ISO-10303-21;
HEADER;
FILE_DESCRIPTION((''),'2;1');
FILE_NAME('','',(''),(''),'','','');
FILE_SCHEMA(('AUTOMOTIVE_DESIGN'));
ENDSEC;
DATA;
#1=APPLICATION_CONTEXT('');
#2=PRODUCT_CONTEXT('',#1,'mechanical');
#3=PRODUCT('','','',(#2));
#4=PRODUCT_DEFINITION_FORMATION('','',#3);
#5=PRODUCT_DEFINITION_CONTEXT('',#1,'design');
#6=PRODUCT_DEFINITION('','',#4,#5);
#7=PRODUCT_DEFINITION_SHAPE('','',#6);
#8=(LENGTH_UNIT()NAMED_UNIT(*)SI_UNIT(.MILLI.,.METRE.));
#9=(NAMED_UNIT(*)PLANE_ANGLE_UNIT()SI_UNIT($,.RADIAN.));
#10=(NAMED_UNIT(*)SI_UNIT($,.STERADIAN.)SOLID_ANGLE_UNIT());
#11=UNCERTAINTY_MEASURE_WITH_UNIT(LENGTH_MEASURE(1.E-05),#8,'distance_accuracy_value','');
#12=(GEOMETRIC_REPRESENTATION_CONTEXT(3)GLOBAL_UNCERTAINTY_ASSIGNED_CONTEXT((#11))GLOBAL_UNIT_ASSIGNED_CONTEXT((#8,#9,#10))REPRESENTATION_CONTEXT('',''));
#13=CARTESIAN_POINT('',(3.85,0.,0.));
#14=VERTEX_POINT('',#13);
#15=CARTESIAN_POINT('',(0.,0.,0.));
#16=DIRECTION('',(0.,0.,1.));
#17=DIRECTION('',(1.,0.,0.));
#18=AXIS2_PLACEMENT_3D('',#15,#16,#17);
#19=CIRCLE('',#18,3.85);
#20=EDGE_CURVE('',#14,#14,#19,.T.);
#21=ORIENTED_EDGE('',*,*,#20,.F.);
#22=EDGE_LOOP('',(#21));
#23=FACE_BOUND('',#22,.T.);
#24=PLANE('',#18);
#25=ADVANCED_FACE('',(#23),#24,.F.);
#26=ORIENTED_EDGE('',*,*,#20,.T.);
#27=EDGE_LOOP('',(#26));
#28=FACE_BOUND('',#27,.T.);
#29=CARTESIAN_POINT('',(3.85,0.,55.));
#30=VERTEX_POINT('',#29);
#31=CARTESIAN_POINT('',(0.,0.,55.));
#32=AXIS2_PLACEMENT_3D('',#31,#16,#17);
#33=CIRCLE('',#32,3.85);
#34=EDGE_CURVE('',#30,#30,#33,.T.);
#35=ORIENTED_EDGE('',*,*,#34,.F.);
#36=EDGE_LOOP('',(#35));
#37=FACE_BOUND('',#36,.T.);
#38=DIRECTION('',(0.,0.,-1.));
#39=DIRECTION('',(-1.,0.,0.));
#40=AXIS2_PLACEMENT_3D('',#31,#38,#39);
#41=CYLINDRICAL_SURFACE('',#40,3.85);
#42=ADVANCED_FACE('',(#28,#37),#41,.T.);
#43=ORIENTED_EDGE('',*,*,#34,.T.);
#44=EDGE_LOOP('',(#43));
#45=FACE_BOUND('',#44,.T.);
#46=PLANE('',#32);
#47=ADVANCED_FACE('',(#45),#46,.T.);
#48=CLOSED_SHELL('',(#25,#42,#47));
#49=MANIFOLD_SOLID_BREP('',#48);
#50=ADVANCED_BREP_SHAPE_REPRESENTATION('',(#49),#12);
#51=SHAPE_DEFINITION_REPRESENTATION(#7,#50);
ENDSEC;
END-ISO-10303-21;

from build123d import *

# Parameters (mm, degrees)
SKETCH_1_R      = 3.85
EXTRUDE_1_DEPTH = 55


with BuildPart() as part:
    # Эскиз1 → Бобышка-Вытянуть1 (new body)
    with BuildSketch(Plane.XY):
        Circle(SKETCH_1_R)
    extrude(amount=EXTRUDE_1_DEPTH)


solid = part.part
